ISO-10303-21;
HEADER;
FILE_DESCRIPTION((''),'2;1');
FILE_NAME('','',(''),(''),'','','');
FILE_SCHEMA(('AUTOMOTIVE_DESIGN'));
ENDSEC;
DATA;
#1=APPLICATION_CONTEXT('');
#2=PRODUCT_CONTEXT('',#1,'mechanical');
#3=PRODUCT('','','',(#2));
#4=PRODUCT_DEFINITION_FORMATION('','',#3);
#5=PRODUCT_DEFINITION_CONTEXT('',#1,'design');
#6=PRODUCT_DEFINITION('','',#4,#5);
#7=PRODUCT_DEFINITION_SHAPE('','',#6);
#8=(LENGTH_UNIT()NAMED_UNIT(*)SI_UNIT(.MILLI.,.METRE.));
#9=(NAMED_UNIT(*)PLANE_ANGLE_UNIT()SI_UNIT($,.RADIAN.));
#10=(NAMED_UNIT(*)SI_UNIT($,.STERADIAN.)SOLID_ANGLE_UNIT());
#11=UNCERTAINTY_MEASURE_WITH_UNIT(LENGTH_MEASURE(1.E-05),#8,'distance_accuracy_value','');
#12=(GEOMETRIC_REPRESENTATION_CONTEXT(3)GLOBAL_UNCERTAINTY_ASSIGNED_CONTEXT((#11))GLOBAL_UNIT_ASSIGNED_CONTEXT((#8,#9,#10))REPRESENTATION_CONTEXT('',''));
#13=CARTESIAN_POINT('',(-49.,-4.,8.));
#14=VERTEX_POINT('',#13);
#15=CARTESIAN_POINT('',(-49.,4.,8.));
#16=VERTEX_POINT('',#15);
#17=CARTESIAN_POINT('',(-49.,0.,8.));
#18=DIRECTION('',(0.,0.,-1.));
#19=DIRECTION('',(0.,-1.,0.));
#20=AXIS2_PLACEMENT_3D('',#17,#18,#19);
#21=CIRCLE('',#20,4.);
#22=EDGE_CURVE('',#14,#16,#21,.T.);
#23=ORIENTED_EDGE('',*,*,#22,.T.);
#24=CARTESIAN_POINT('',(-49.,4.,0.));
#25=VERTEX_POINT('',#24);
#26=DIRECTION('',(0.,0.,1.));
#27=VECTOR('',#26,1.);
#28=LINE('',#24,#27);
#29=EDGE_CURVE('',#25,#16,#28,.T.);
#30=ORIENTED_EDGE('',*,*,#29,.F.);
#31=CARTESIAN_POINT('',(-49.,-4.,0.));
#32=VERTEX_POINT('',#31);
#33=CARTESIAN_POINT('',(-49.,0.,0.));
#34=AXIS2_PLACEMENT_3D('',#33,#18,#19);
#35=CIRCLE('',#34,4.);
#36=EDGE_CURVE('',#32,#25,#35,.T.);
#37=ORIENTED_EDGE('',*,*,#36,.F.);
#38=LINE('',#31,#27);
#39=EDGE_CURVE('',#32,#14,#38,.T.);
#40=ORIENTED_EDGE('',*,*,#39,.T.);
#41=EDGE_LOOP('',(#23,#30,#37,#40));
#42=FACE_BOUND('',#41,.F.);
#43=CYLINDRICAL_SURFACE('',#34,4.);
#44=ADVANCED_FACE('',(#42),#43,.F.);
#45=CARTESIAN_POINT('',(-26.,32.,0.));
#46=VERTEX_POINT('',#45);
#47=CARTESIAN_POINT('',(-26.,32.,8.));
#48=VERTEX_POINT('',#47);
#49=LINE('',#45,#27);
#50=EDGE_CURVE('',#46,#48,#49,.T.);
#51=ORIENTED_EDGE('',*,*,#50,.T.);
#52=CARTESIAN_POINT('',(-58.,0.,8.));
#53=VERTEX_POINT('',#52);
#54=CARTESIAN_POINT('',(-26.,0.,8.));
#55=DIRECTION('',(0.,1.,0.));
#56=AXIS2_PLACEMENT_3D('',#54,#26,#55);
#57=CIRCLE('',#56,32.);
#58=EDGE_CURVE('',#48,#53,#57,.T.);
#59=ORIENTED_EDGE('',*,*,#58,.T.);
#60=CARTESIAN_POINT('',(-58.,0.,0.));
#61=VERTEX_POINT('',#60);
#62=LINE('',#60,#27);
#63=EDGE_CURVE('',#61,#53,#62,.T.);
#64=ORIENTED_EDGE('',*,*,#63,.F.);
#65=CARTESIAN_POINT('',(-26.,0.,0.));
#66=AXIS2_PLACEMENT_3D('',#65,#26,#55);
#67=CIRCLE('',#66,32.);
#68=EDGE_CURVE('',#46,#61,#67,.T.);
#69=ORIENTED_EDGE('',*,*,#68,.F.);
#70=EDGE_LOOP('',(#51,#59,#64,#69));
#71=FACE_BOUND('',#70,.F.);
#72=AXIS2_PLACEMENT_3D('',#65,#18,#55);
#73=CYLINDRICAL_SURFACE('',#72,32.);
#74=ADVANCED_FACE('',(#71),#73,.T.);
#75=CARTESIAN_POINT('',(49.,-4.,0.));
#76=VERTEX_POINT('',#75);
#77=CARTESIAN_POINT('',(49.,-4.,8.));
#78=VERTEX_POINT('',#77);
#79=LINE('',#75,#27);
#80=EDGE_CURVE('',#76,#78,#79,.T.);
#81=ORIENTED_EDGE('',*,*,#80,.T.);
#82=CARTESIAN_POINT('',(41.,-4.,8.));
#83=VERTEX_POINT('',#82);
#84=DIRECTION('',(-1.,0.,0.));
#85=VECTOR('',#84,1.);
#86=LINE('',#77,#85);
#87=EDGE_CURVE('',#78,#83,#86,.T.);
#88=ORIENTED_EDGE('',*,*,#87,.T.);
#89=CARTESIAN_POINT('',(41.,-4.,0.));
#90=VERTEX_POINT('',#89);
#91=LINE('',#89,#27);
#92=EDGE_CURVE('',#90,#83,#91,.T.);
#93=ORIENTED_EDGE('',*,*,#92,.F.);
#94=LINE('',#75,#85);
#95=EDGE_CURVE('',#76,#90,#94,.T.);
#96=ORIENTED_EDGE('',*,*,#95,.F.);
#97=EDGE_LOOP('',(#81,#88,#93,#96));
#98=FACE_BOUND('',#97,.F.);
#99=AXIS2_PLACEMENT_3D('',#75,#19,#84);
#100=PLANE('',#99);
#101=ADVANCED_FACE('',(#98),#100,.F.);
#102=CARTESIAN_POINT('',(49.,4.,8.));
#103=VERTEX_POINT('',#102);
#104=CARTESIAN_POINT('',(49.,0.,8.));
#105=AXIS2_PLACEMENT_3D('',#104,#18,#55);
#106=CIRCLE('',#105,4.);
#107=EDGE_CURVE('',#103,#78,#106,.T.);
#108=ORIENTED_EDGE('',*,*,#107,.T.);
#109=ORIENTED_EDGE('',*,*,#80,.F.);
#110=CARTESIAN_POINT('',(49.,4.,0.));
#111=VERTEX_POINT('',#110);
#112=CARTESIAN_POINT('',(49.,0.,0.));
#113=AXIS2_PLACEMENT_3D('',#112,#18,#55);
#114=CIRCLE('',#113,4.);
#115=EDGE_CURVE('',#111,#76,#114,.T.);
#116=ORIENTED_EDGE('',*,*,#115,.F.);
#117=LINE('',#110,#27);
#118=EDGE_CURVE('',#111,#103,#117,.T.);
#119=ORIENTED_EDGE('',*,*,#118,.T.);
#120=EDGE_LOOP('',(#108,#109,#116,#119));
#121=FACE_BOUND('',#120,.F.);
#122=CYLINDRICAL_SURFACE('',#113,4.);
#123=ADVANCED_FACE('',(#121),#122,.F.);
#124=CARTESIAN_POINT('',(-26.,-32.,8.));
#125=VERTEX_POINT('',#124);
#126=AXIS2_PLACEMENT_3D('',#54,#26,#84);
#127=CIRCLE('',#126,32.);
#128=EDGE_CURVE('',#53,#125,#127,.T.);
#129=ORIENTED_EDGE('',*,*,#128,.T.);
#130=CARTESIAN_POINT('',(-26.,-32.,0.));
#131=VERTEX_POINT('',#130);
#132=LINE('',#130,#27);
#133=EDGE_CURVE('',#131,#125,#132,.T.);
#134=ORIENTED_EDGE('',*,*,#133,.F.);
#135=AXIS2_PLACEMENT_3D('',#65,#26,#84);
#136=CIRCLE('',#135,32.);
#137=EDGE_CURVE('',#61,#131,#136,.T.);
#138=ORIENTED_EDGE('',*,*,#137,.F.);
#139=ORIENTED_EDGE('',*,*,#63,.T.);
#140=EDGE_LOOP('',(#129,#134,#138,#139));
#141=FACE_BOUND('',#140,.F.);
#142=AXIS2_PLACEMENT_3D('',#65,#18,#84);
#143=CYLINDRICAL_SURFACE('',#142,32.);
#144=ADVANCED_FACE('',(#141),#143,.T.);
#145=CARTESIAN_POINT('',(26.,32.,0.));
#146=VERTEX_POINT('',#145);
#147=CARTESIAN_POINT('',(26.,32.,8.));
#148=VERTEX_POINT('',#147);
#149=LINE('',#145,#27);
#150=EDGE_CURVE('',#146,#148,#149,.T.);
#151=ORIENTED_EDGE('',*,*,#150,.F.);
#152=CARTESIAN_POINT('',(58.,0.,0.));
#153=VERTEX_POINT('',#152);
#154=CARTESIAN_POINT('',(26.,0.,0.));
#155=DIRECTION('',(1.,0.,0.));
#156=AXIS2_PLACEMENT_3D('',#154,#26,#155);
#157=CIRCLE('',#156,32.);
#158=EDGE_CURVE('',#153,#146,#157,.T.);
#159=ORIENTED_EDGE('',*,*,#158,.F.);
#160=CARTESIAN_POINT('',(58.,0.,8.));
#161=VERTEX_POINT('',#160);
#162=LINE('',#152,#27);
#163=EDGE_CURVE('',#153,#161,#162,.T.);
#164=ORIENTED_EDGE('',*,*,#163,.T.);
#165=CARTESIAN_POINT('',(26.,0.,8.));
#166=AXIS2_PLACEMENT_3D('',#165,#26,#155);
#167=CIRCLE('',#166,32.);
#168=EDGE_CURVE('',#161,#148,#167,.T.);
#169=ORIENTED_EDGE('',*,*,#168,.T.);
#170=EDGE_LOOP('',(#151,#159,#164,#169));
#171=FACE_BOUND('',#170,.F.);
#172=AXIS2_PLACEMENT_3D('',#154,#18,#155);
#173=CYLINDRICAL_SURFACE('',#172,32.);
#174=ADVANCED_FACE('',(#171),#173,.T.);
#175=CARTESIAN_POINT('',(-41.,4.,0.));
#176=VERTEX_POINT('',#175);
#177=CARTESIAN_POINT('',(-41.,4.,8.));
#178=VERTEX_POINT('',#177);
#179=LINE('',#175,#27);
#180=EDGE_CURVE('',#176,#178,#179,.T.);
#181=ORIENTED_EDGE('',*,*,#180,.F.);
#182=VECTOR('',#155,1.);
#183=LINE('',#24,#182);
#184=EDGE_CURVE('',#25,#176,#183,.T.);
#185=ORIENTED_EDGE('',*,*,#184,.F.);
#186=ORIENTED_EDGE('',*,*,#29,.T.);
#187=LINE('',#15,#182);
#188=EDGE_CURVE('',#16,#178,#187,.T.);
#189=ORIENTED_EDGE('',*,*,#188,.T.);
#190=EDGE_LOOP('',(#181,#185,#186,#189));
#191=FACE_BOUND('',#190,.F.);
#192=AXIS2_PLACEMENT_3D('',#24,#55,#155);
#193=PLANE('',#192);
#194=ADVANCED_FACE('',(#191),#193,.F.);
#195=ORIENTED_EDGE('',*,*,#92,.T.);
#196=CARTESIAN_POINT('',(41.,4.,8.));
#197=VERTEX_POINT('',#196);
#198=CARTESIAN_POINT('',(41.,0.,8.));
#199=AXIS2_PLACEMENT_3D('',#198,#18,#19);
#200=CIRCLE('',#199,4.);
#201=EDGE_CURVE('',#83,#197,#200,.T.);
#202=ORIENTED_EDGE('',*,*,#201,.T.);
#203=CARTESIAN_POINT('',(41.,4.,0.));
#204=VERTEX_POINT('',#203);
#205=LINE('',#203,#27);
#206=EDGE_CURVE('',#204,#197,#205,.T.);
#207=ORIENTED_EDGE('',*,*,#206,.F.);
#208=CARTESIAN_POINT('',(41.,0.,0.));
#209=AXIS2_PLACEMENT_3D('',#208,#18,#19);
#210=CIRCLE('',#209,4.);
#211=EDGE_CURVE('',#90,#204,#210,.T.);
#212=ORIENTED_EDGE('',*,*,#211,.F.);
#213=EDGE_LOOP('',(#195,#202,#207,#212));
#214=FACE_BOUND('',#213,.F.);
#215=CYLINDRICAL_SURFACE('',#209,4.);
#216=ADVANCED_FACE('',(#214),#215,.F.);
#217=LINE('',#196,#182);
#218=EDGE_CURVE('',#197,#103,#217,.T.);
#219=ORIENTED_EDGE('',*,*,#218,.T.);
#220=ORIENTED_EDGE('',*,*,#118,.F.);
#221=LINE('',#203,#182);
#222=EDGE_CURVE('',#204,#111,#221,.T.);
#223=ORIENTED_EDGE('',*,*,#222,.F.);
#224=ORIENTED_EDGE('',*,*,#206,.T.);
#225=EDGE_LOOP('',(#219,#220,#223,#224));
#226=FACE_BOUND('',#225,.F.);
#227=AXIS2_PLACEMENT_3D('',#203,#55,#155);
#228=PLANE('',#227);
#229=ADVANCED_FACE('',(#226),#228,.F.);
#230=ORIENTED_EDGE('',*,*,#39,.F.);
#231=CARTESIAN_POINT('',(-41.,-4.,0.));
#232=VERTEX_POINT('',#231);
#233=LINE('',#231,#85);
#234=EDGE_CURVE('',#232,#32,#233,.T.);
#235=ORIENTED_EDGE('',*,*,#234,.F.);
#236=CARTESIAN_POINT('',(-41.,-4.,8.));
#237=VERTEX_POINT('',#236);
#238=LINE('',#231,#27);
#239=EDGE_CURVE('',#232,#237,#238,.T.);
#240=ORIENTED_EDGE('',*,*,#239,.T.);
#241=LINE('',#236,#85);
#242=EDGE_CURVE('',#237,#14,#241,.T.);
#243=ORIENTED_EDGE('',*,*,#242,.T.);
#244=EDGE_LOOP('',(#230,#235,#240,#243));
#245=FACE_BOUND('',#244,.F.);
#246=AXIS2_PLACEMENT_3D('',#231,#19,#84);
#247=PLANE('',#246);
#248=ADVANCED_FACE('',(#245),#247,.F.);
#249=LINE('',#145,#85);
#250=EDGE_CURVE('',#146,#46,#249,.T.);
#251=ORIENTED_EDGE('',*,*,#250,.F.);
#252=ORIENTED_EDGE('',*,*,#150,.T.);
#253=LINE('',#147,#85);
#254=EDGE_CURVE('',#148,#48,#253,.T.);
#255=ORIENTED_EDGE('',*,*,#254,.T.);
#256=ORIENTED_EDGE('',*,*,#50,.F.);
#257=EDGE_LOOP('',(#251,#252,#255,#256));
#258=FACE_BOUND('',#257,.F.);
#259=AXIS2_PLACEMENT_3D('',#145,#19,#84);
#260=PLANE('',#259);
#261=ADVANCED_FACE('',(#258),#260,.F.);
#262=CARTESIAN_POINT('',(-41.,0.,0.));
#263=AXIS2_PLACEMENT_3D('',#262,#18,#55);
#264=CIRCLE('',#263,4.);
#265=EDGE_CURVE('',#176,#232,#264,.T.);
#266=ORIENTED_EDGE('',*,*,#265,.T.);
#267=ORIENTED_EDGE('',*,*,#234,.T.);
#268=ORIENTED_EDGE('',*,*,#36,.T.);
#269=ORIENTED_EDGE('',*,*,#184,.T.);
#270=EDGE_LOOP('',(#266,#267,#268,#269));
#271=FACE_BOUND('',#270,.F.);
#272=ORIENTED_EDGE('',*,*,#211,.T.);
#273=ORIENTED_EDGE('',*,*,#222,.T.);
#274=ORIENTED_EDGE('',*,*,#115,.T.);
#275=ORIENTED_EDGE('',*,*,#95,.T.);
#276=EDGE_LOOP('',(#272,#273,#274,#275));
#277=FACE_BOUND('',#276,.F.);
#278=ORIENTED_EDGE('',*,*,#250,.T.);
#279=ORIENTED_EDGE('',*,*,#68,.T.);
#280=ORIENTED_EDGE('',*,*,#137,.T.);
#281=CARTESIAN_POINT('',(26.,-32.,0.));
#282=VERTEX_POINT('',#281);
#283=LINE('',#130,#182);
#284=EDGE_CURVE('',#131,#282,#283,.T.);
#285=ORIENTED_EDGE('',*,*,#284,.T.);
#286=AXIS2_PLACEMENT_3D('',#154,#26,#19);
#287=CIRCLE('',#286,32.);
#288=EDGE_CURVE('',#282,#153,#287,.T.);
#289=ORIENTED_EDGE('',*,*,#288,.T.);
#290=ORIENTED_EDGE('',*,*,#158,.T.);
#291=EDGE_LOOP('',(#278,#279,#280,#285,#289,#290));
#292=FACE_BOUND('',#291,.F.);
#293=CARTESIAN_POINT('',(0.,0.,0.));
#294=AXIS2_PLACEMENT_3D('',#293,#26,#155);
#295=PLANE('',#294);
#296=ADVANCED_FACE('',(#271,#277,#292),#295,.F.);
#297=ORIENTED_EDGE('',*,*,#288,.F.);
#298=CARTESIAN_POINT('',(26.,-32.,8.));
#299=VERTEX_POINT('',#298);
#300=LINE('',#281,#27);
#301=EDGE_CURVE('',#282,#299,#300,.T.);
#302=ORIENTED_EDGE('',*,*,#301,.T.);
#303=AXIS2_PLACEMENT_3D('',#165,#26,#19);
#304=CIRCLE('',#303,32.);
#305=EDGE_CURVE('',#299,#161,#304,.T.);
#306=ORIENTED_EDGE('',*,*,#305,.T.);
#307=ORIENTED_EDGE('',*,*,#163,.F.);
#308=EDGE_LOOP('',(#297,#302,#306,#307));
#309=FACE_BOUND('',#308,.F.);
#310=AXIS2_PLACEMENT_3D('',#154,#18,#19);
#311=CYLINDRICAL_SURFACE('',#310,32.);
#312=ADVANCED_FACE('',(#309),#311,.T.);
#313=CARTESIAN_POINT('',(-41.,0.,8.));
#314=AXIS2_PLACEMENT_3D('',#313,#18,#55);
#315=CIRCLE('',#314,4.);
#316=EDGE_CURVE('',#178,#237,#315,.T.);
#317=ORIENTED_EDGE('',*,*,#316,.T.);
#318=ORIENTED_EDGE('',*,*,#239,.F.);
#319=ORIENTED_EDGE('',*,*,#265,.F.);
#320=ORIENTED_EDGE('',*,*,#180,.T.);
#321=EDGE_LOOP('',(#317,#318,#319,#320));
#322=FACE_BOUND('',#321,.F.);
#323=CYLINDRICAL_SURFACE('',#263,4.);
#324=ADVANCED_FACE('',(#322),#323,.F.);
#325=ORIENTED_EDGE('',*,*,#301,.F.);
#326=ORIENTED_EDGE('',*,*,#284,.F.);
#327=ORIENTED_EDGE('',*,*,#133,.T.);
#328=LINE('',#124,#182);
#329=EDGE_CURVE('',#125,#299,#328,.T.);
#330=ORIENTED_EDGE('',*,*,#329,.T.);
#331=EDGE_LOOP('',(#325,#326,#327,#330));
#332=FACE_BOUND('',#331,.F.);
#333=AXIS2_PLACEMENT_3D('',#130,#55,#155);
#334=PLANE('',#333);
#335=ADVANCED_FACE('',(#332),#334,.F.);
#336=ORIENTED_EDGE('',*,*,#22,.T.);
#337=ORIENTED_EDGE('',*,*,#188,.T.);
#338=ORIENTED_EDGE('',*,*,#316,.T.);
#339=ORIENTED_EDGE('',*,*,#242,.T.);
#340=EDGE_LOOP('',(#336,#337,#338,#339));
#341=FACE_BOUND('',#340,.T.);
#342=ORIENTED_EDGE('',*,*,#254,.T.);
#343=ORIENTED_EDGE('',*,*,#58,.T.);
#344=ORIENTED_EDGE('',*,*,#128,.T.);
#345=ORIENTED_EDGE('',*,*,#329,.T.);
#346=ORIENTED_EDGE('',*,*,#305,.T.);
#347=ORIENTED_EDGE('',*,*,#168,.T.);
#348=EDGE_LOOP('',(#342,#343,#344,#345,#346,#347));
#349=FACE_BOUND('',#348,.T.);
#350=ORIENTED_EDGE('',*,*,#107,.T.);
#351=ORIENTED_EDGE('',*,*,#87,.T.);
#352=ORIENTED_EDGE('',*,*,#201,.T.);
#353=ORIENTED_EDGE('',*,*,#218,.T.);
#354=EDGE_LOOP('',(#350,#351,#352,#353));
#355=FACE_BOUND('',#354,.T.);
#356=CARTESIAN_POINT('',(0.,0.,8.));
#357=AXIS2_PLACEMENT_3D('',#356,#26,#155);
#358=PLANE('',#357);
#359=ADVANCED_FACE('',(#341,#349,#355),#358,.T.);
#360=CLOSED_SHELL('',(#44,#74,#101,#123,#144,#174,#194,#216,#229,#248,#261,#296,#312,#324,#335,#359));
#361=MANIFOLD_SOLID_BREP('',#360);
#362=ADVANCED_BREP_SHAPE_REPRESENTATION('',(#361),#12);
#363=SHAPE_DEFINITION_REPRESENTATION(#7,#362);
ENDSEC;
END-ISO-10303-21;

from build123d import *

# Parameters (mm, degrees)
F1_DEPTH = 8


with BuildPart() as f1:
    # F0 (on Top) → F1 (new body)
    with BuildSketch(Plane.XY):
        with BuildLine():
            Line((26, 32), (-26, 32))
            ThreePointArc((-26, 32), (-48.627417, 22.627417), (-58, 0))
            ThreePointArc((-58, 0), (-48.627417, -22.627417), (-26, -32))
            Line((-26, -32), (26, -32))
            ThreePointArc((26, -32), (48.627417, -22.627417), (58, 0))
            ThreePointArc((58, 0), (48.627417, 22.627417), (26, 32))
        make_face()
        with BuildLine():
            ThreePointArc((-49, -4), (-53, 0), (-49, 4))
            Line((-49, 4), (-41, 4))
            ThreePointArc((-41, 4), (-37, 0), (-41, -4))
            Line((-41, -4), (-49, -4))
        make_face(mode=Mode.SUBTRACT)
        with BuildLine():
            Line((49, -4), (41, -4))
            ThreePointArc((41, -4), (37, 0), (41, 4))
            Line((41, 4), (49, 4))
            ThreePointArc((49, 4), (53, 0), (49, -4))
        make_face(mode=Mode.SUBTRACT)
    extrude(amount=F1_DEPTH)


solid = f1.part
